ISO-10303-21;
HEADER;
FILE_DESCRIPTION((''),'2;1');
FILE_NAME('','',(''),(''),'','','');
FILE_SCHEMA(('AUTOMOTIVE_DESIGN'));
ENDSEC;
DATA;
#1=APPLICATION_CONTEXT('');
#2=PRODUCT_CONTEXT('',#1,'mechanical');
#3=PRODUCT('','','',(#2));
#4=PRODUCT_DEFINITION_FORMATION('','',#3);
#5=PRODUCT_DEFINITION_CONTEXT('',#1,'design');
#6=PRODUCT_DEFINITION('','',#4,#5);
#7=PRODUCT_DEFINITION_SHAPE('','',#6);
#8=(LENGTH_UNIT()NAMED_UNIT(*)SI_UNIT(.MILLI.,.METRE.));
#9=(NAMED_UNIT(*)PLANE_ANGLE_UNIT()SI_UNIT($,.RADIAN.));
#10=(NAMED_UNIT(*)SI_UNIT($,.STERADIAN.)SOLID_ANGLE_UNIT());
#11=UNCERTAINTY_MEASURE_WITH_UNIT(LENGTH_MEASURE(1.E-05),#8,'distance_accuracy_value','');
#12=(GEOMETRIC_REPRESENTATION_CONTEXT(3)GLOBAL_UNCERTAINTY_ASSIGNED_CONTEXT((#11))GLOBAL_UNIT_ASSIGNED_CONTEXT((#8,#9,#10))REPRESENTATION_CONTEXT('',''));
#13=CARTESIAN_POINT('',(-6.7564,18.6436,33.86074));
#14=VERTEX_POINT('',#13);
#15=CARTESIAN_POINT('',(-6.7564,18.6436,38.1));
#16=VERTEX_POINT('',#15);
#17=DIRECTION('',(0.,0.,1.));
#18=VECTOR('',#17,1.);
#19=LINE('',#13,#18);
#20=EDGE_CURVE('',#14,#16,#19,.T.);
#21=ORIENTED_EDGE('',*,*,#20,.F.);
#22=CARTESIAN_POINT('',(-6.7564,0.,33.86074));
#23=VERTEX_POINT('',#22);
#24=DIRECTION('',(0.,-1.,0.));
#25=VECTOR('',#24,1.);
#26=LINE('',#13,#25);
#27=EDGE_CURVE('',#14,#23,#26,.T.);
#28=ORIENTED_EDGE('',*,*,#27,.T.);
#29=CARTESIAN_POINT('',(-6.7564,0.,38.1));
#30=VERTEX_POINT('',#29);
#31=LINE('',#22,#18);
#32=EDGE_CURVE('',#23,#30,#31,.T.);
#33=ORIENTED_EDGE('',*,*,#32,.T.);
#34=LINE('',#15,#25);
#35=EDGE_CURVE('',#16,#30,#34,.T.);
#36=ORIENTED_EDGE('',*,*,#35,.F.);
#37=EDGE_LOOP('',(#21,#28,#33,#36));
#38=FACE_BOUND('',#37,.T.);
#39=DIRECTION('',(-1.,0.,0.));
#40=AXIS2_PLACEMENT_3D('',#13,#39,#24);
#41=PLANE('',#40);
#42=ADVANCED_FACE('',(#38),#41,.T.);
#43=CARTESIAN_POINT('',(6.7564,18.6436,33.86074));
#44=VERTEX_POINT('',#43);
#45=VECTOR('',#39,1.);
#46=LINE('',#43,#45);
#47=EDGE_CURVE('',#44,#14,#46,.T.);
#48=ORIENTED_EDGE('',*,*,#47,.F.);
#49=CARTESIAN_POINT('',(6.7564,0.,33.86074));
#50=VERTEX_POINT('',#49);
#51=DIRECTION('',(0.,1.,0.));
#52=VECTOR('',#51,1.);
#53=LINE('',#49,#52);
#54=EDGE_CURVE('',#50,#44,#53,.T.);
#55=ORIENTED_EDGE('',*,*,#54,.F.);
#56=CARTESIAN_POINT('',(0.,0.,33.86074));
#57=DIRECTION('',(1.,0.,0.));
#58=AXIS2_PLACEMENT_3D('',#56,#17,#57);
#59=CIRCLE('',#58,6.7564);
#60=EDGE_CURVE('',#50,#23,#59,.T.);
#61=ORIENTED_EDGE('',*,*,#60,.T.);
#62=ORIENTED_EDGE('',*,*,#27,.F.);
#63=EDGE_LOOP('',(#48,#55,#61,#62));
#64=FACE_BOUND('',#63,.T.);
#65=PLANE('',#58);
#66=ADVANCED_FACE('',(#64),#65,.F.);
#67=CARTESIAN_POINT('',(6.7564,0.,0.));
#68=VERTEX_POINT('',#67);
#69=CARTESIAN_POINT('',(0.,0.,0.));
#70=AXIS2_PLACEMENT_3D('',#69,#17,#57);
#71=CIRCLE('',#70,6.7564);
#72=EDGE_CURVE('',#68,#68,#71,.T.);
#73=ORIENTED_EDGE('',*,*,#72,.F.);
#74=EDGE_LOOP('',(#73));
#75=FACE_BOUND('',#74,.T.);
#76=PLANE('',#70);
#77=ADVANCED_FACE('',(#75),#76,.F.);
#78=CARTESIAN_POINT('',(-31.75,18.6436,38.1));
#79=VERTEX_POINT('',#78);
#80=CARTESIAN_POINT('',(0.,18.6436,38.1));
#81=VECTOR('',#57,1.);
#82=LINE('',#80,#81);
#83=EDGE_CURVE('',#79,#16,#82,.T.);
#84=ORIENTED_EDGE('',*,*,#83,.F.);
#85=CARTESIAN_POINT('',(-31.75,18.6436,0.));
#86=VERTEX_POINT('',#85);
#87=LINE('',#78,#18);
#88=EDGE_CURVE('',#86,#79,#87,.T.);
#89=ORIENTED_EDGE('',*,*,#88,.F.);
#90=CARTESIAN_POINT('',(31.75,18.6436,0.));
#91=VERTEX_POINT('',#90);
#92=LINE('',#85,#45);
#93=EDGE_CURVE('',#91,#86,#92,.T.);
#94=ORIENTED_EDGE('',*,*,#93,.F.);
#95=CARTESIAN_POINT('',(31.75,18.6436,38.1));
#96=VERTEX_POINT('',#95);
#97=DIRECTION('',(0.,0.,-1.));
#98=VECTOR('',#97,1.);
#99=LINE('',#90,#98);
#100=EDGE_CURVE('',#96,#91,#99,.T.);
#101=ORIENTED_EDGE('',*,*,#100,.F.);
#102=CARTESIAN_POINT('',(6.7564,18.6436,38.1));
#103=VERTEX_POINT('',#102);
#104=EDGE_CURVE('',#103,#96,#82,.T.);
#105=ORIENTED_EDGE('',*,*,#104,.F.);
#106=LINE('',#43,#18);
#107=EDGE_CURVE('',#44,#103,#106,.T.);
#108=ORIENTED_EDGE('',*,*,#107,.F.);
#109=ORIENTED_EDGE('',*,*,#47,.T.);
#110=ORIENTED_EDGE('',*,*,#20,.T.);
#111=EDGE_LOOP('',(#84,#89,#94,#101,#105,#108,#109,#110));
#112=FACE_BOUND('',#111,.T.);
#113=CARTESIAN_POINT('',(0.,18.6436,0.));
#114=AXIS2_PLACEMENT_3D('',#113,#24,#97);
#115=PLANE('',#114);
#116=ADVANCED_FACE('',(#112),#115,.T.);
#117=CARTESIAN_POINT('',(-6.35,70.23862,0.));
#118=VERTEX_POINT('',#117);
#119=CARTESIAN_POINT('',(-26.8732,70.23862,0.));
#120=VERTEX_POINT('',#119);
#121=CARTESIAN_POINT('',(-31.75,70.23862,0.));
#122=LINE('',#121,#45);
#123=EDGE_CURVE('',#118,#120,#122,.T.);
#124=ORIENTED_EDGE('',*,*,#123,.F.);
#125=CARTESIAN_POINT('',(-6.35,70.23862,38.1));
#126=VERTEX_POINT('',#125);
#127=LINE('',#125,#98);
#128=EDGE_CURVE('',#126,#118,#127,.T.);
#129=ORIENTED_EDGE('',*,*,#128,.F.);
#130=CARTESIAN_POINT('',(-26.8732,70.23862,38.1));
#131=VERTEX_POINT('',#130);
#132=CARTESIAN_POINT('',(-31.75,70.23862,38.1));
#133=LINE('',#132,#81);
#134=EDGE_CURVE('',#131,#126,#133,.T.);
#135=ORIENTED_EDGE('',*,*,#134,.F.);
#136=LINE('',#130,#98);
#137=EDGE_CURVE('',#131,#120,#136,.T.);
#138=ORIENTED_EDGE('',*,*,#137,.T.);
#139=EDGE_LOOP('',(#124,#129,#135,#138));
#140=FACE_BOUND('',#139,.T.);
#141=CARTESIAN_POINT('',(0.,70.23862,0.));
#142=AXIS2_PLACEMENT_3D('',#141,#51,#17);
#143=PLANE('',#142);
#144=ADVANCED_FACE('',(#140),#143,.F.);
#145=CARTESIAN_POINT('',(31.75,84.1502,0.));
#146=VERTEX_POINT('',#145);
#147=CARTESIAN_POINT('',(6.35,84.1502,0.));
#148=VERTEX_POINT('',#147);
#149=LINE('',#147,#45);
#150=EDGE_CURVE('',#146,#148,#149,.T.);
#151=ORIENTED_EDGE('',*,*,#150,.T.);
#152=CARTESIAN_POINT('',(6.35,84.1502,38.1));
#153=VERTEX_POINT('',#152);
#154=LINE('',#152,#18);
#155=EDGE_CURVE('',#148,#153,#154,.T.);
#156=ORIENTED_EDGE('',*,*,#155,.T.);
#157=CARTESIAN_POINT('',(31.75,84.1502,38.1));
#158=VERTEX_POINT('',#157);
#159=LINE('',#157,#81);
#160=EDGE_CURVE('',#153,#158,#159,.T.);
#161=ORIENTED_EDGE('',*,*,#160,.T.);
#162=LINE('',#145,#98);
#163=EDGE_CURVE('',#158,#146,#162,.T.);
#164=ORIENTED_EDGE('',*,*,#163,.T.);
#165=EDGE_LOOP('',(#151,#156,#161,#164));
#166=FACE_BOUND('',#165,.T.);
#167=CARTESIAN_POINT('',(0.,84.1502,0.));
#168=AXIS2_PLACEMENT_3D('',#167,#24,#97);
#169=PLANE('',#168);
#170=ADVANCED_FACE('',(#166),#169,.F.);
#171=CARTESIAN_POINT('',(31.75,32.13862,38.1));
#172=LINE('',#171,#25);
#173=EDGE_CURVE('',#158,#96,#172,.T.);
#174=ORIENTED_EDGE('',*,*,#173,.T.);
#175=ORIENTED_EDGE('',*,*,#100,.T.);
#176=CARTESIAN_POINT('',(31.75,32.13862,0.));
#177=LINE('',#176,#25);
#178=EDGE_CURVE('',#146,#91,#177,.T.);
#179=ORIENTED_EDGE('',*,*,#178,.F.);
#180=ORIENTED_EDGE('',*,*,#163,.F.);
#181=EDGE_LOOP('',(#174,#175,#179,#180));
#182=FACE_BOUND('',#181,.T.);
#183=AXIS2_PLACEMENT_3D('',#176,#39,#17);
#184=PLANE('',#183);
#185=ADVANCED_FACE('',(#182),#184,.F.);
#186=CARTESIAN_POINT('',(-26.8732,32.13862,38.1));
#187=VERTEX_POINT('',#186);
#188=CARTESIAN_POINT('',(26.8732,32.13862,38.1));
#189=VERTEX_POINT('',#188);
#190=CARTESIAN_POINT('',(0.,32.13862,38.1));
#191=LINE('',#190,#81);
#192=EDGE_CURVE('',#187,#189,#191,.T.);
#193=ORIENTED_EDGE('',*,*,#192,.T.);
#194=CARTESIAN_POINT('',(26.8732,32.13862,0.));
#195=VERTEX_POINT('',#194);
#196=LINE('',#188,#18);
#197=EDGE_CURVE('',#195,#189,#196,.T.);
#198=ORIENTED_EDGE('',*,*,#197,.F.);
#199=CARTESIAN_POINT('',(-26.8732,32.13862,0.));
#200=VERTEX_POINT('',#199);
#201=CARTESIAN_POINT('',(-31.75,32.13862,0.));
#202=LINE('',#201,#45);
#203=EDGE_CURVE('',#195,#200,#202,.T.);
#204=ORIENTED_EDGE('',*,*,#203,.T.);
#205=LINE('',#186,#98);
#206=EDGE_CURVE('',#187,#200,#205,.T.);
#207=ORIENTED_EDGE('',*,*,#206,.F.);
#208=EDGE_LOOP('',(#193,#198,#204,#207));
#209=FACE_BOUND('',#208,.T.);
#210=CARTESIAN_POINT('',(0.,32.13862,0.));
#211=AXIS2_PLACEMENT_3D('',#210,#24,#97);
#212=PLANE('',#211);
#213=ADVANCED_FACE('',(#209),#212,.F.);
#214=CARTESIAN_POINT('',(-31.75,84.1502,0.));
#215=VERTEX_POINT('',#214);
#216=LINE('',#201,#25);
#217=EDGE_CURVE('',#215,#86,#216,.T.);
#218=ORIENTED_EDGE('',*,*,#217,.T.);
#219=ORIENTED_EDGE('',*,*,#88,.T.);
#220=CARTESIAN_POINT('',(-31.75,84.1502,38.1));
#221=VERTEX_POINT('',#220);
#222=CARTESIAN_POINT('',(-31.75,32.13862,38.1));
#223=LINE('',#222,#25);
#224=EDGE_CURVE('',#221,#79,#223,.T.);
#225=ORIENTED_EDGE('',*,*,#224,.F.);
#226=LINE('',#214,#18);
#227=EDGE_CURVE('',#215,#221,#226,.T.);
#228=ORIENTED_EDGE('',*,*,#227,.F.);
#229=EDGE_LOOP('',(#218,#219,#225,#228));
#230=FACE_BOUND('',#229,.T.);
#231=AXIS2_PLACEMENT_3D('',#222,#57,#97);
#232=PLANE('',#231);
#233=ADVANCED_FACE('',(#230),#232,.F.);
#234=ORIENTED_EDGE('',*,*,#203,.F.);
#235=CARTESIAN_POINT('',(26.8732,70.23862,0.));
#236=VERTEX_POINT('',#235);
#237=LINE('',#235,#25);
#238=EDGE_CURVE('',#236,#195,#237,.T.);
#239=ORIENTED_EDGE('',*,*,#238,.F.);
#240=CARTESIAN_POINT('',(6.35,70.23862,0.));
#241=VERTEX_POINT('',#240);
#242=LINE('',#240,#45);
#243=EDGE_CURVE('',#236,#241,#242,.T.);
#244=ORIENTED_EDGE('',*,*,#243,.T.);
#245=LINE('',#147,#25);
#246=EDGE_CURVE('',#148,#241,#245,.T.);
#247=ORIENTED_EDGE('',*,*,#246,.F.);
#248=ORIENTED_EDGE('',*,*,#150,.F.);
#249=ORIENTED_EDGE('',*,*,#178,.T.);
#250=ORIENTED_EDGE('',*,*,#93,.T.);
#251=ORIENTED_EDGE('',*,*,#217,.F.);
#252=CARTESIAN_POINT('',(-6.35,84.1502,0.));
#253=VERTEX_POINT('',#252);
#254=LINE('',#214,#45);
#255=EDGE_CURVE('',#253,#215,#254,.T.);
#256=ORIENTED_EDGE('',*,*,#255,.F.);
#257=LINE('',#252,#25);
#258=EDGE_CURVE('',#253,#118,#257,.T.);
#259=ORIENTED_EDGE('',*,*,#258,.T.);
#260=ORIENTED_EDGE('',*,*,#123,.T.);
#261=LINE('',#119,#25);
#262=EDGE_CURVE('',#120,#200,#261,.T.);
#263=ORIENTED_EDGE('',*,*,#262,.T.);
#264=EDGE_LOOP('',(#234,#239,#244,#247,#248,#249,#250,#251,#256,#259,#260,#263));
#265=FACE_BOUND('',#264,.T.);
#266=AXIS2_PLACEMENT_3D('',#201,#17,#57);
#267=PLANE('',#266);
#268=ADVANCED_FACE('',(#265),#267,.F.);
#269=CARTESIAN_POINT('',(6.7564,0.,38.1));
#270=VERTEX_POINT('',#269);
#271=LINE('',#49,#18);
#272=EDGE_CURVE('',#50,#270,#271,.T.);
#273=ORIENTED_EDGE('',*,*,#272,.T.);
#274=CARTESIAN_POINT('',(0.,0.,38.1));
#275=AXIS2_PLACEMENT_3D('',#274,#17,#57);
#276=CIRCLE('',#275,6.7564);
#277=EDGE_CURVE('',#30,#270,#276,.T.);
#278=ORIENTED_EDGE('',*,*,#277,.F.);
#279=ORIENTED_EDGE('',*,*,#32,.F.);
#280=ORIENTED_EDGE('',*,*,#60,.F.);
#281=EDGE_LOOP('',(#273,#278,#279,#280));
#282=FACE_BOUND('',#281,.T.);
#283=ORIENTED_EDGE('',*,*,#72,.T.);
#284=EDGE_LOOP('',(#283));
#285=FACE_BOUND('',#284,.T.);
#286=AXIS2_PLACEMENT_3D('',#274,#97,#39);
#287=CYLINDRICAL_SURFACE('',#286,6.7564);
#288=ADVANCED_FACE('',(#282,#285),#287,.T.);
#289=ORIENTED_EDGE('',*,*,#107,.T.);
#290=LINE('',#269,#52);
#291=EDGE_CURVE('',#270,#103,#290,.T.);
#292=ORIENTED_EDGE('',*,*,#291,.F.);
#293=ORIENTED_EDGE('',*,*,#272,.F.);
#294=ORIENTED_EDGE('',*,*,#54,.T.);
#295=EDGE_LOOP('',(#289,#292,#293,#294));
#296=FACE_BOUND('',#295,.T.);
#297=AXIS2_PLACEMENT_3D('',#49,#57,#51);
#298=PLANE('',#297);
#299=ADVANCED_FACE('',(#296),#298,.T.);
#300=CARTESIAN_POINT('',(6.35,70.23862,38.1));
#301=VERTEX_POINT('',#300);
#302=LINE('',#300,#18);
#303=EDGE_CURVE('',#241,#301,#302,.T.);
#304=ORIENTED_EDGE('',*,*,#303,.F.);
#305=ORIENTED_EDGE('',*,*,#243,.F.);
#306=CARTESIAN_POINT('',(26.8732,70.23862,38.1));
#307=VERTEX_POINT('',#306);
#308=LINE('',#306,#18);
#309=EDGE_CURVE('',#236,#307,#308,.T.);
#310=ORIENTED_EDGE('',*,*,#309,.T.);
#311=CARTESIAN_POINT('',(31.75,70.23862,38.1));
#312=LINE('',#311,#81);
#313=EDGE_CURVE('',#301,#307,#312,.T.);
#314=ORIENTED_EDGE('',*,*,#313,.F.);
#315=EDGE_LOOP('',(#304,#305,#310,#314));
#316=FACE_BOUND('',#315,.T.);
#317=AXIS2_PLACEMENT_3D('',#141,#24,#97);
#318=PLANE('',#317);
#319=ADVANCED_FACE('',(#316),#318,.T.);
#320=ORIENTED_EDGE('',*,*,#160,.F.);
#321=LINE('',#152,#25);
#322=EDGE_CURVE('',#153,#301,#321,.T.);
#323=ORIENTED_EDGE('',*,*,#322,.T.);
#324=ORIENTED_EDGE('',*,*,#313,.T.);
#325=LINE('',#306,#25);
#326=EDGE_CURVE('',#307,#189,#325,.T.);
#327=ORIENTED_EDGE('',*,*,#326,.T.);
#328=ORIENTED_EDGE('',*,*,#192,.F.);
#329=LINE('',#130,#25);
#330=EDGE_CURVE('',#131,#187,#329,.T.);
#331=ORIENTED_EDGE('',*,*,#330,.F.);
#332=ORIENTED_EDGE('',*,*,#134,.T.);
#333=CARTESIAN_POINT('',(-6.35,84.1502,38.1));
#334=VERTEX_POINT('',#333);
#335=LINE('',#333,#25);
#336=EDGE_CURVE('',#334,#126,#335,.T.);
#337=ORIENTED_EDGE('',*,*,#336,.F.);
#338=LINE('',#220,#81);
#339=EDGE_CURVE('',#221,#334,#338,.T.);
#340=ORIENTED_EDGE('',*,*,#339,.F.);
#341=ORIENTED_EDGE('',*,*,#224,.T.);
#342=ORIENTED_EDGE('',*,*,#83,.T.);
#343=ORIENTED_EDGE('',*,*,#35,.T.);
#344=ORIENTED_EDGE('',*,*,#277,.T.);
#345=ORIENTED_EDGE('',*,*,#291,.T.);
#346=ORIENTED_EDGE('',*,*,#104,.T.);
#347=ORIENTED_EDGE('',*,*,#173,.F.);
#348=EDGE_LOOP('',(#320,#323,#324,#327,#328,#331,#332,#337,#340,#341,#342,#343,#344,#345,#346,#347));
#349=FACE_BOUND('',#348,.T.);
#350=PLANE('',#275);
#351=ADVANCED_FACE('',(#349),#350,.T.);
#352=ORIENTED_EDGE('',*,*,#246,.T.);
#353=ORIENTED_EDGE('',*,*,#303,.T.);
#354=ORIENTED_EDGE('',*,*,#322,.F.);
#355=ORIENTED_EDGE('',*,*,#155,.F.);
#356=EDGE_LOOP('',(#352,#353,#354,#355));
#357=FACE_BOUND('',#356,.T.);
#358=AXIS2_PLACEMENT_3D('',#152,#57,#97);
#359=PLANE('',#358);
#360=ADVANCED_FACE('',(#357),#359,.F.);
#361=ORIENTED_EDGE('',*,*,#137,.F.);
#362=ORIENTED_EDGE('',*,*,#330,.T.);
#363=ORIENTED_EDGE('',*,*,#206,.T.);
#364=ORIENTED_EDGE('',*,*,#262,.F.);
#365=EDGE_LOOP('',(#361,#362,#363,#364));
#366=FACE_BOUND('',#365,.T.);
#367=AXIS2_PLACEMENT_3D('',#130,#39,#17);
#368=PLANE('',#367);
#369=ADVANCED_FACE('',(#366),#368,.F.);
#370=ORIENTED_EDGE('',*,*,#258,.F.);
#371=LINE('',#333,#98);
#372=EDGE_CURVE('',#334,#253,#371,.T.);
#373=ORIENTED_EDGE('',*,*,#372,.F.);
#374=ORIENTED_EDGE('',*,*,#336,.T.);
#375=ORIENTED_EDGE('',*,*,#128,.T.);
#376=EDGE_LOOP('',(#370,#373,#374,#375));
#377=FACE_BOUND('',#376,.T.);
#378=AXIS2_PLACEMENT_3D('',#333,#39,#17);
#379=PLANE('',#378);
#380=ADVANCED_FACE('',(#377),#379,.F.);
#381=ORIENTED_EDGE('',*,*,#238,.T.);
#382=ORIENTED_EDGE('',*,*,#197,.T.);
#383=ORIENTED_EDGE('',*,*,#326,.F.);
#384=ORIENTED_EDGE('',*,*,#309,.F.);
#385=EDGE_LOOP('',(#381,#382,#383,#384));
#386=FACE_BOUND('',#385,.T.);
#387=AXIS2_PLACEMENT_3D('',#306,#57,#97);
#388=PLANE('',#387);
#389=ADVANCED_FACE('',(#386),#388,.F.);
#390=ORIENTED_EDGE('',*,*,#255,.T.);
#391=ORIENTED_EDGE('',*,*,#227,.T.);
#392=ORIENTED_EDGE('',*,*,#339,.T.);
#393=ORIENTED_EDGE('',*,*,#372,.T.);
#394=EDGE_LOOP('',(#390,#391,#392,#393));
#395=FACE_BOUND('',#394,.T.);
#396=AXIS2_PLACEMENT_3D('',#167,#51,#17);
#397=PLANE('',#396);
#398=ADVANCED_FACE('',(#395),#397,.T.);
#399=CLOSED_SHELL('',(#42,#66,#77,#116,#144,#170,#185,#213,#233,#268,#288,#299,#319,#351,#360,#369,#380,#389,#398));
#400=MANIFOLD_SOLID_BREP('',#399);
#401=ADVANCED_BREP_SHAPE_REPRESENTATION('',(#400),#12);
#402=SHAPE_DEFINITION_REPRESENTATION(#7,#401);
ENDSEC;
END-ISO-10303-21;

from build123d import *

# Parameters (mm, degrees)
SKETCH1_R            = 6.7564
BOSS_EXTRUDE2_DEPTH  = 38.1
SKETCH2_W            = 13.5128
SKETCH2_H            = 18.6436
BOSS_EXTRUDE3_DEPTH  = 4.23926
BOSS_EXTRUDE6_DEPTH  = 13.49502
SKETCH7_W            = 4.8768
SKETCH7_H            = 38.1
BOSS_EXTRUDE10_DEPTH = 38.1
SKETCH8_W            = 25.4
SKETCH8_H            = 38.1
BOSS_EXTRUDE11_DEPTH = 13.91158


with BuildPart() as part:
    # Sketch1 → Boss-Extrude2 (new body)
    with BuildSketch(Plane.XY):
        with Locations(Location((0, 0, 0), (0, 0, 180))):
            Circle(SKETCH1_R)
    extrude(amount=BOSS_EXTRUDE2_DEPTH)

    # Sketch2 → Boss-Extrude3 (add)
    with BuildSketch(Plane.XY.offset(38.1)):
        with Locations((0, 9.3218)):
            Rectangle(SKETCH2_W, SKETCH2_H)
    extrude(amount=-BOSS_EXTRUDE3_DEPTH)

    # Sketch4 → Boss-Extrude6 (add)
    with BuildSketch(Plane(origin=(0, 18.6436, 0), x_dir=(1, 0, 0), z_dir=(0, 1, 0))):
        Polygon((0, -38.1), (-31.75, -38.1), (-31.75, 0), (31.75, 0), (31.75, -38.1), align=None)
    extrude(amount=BOSS_EXTRUDE6_DEPTH)

    # Sketch7 → Boss-Extrude10 (add)
    with BuildSketch(Plane(origin=(0, 32.13862, 0), x_dir=(1, 0, 0), z_dir=(0, 1, 0))):
        with Locations((-29.3116, -19.05)):
            Rectangle(SKETCH7_W, SKETCH7_H)
        with Locations((29.3116, -19.05)):
            Rectangle(SKETCH7_W, SKETCH7_H)
    extrude(amount=BOSS_EXTRUDE10_DEPTH)

    # Sketch8 → Boss-Extrude11 (add)
    with BuildSketch(Plane(origin=(0, 70.23862, 0), x_dir=(1, 0, 0), z_dir=(0, 1, 0))):
        with Locations((-19.05, -19.05)):
            Rectangle(SKETCH8_W, SKETCH8_H)
        with Locations((19.05, -19.05)):
            Rectangle(SKETCH8_W, SKETCH8_H)
    extrude(amount=BOSS_EXTRUDE11_DEPTH)


solid = part.part
